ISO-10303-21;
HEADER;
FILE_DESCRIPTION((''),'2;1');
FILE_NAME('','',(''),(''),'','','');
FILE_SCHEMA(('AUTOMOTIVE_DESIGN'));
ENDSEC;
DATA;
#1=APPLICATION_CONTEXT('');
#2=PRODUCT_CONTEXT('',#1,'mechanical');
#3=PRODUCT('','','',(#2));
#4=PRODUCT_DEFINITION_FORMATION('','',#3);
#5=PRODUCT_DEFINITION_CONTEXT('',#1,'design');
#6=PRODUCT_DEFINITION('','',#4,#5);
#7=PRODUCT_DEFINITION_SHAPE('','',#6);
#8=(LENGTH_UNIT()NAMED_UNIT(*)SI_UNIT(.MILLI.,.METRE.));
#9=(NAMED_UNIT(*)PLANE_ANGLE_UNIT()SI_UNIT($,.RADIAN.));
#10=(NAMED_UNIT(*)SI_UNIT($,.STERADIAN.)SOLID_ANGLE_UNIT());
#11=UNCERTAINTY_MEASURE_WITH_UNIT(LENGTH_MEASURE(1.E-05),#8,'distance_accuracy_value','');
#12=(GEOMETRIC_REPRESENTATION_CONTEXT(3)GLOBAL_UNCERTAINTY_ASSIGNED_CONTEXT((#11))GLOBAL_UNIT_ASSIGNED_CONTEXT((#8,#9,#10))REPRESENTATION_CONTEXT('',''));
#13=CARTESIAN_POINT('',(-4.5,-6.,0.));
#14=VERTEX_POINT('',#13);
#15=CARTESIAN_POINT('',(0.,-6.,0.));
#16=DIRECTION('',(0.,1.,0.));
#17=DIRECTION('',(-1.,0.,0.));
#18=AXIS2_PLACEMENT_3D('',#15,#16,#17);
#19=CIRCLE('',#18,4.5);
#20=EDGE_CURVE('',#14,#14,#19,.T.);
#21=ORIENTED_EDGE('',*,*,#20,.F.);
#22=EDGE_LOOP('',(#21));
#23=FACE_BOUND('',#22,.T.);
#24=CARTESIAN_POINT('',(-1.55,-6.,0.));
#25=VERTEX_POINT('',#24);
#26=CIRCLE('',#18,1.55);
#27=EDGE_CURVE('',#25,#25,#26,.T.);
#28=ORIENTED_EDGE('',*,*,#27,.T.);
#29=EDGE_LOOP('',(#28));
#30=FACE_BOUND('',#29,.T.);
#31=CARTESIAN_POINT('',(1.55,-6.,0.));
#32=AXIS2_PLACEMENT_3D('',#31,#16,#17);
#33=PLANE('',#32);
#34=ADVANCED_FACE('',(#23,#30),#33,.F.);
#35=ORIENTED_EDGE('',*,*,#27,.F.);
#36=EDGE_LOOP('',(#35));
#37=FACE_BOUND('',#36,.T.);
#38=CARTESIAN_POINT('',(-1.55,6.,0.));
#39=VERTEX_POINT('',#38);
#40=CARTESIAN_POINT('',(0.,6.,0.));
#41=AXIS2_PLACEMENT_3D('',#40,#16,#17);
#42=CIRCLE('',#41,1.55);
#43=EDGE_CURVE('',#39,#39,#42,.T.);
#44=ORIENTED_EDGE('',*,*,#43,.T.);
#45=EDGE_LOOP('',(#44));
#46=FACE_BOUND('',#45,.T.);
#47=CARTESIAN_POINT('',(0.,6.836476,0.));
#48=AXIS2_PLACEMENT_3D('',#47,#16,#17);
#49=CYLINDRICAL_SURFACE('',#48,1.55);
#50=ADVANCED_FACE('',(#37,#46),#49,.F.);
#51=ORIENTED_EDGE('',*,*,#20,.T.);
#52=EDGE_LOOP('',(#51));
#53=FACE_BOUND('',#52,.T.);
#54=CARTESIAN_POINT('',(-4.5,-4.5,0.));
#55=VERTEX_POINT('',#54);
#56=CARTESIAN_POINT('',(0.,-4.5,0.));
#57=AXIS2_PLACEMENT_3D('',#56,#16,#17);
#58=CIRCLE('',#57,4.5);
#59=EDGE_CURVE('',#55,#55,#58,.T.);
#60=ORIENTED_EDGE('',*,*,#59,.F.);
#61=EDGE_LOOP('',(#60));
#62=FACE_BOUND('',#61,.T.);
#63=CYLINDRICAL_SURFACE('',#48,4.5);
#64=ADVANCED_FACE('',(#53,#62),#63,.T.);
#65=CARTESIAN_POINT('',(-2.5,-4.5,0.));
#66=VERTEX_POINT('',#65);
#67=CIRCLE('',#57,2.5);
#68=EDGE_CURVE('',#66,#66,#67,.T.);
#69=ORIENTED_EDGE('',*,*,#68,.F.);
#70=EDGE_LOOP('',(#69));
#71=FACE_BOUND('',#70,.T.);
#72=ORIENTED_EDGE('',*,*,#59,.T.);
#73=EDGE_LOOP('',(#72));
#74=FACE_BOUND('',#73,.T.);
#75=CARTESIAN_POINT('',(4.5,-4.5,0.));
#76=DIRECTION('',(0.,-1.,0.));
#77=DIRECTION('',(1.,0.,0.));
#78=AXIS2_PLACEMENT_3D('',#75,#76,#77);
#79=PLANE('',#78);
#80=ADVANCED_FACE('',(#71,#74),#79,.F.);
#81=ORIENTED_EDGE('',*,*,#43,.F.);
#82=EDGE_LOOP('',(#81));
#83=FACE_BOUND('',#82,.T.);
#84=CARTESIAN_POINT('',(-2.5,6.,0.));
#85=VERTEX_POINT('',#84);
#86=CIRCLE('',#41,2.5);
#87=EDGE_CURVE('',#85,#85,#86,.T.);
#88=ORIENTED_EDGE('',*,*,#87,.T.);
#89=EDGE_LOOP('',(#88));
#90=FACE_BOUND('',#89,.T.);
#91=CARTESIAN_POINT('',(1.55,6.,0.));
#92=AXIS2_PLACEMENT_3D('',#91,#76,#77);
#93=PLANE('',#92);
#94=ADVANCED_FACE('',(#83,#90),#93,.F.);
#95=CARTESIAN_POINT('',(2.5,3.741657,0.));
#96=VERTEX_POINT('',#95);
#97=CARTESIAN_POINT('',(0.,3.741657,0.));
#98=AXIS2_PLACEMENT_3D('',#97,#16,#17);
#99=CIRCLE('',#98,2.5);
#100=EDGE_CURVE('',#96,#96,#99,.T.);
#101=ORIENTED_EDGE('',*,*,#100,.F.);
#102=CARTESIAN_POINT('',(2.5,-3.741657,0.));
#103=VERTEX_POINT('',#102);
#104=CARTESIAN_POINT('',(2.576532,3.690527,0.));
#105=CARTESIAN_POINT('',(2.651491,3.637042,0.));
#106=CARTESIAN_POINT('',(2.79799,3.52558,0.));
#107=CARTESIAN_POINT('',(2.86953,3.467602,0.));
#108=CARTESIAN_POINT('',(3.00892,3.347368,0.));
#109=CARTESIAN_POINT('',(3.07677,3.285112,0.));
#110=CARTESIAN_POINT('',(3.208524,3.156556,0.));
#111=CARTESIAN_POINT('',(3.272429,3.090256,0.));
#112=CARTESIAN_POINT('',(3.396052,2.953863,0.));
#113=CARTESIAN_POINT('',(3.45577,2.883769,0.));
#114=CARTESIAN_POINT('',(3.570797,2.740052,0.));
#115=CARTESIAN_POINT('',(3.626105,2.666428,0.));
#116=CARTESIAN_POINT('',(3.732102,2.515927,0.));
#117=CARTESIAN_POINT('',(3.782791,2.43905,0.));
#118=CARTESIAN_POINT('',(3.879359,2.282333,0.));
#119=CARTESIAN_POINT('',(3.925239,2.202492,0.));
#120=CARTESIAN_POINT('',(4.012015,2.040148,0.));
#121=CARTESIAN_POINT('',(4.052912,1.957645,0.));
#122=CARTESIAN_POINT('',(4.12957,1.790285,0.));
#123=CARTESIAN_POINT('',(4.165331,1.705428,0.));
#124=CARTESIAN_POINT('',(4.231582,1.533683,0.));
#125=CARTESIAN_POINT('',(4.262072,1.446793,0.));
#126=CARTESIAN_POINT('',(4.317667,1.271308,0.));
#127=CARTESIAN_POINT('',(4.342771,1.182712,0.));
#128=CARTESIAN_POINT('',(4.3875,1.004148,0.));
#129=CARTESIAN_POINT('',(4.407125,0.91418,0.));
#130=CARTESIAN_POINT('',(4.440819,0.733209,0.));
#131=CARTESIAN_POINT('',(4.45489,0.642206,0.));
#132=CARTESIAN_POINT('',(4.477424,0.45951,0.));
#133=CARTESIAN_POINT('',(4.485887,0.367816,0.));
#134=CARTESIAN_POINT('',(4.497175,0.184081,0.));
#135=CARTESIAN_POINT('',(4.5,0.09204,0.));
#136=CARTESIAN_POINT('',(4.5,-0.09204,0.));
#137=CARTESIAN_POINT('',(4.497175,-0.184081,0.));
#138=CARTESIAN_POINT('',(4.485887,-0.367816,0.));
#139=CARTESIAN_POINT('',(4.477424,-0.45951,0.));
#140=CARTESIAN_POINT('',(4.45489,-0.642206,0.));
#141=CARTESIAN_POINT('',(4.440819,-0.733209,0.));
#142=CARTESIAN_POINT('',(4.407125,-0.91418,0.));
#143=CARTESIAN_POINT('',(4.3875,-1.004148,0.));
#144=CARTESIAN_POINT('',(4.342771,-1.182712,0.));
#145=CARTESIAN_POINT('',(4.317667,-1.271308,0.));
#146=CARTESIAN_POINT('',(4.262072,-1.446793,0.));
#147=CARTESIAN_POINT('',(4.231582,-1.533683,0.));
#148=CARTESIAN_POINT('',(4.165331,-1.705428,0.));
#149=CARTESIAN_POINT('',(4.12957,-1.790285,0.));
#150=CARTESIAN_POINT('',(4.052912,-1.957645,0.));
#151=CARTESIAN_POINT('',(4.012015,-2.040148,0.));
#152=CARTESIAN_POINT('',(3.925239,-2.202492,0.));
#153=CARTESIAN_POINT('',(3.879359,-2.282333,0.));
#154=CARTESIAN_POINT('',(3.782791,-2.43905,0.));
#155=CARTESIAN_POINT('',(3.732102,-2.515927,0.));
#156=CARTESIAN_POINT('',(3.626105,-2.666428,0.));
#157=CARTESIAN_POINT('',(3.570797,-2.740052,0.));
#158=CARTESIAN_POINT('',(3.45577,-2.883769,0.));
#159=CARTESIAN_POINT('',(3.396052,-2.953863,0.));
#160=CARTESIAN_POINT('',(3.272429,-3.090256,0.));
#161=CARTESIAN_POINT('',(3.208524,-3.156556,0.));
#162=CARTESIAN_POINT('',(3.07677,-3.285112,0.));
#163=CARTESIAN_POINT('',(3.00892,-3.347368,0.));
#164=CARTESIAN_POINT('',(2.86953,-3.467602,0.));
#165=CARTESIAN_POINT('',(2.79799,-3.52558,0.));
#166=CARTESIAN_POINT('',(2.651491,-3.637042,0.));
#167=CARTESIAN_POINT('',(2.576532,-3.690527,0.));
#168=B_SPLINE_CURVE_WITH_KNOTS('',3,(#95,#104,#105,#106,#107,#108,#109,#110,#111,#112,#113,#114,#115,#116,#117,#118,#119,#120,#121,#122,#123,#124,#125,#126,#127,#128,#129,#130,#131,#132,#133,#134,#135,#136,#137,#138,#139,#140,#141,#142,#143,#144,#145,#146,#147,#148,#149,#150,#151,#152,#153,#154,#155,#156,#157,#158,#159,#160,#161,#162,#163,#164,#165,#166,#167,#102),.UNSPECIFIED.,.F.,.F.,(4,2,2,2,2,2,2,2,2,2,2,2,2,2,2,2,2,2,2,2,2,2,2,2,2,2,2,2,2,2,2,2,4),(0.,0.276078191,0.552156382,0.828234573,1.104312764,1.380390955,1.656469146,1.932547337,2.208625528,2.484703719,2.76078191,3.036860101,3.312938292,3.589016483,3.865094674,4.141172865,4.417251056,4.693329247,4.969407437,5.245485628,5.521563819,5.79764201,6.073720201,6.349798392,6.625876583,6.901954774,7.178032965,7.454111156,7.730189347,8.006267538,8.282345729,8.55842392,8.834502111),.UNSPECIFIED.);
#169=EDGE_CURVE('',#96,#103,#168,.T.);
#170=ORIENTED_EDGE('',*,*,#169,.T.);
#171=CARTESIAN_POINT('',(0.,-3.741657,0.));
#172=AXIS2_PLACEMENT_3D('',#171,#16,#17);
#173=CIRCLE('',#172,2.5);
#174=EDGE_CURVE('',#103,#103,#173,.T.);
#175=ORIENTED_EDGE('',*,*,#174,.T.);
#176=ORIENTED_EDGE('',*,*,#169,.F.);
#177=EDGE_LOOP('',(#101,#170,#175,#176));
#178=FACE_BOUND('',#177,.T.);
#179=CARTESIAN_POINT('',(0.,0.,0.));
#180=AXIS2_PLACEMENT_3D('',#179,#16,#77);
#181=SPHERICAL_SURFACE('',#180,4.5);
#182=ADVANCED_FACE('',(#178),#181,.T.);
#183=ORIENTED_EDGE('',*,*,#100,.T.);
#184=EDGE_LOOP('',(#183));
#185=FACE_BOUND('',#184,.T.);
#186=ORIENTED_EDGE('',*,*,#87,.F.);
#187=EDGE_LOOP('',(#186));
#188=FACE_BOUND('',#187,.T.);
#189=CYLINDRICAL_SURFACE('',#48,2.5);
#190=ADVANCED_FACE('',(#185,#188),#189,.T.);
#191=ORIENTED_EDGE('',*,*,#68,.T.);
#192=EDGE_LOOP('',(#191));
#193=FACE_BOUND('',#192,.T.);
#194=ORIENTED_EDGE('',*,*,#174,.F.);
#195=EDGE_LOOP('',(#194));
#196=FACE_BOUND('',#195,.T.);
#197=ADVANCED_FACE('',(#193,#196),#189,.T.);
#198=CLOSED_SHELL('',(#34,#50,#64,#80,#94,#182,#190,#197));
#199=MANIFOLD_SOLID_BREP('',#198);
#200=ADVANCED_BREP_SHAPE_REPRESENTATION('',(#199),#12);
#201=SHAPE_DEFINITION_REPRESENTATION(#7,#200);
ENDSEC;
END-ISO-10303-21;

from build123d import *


with BuildPart() as part:
    # Sketch1 → Revolve1 (revolve)
    with BuildSketch(Plane.XY, mode=Mode.PRIVATE) as revolve1_sk:
        with BuildLine():
            Line((1.55, -6), (4.5, -6))
            Line((4.5, -6), (4.5, -4.5))
            Line((4.5, -4.5), (2.5, -4.5))
            Line((2.5, -4.5), (2.5, -3.741657387))
            ThreePointArc((2.5, -3.741657387), (4.5, 0), (2.5, 3.741657387))
            Line((2.5, 3.741657387), (2.5, 6))
            Line((2.5, 6), (1.55, 6))
            Line((1.55, 6), (1.55, -6))
        make_face()
    revolve(revolve1_sk.sketch.rotate(Axis((0, 6.83647591, 0), (0, -1, 0)), 180), axis=Axis((0, 6.83647591, 0), (0, -1, 0)))


solid = part.part
